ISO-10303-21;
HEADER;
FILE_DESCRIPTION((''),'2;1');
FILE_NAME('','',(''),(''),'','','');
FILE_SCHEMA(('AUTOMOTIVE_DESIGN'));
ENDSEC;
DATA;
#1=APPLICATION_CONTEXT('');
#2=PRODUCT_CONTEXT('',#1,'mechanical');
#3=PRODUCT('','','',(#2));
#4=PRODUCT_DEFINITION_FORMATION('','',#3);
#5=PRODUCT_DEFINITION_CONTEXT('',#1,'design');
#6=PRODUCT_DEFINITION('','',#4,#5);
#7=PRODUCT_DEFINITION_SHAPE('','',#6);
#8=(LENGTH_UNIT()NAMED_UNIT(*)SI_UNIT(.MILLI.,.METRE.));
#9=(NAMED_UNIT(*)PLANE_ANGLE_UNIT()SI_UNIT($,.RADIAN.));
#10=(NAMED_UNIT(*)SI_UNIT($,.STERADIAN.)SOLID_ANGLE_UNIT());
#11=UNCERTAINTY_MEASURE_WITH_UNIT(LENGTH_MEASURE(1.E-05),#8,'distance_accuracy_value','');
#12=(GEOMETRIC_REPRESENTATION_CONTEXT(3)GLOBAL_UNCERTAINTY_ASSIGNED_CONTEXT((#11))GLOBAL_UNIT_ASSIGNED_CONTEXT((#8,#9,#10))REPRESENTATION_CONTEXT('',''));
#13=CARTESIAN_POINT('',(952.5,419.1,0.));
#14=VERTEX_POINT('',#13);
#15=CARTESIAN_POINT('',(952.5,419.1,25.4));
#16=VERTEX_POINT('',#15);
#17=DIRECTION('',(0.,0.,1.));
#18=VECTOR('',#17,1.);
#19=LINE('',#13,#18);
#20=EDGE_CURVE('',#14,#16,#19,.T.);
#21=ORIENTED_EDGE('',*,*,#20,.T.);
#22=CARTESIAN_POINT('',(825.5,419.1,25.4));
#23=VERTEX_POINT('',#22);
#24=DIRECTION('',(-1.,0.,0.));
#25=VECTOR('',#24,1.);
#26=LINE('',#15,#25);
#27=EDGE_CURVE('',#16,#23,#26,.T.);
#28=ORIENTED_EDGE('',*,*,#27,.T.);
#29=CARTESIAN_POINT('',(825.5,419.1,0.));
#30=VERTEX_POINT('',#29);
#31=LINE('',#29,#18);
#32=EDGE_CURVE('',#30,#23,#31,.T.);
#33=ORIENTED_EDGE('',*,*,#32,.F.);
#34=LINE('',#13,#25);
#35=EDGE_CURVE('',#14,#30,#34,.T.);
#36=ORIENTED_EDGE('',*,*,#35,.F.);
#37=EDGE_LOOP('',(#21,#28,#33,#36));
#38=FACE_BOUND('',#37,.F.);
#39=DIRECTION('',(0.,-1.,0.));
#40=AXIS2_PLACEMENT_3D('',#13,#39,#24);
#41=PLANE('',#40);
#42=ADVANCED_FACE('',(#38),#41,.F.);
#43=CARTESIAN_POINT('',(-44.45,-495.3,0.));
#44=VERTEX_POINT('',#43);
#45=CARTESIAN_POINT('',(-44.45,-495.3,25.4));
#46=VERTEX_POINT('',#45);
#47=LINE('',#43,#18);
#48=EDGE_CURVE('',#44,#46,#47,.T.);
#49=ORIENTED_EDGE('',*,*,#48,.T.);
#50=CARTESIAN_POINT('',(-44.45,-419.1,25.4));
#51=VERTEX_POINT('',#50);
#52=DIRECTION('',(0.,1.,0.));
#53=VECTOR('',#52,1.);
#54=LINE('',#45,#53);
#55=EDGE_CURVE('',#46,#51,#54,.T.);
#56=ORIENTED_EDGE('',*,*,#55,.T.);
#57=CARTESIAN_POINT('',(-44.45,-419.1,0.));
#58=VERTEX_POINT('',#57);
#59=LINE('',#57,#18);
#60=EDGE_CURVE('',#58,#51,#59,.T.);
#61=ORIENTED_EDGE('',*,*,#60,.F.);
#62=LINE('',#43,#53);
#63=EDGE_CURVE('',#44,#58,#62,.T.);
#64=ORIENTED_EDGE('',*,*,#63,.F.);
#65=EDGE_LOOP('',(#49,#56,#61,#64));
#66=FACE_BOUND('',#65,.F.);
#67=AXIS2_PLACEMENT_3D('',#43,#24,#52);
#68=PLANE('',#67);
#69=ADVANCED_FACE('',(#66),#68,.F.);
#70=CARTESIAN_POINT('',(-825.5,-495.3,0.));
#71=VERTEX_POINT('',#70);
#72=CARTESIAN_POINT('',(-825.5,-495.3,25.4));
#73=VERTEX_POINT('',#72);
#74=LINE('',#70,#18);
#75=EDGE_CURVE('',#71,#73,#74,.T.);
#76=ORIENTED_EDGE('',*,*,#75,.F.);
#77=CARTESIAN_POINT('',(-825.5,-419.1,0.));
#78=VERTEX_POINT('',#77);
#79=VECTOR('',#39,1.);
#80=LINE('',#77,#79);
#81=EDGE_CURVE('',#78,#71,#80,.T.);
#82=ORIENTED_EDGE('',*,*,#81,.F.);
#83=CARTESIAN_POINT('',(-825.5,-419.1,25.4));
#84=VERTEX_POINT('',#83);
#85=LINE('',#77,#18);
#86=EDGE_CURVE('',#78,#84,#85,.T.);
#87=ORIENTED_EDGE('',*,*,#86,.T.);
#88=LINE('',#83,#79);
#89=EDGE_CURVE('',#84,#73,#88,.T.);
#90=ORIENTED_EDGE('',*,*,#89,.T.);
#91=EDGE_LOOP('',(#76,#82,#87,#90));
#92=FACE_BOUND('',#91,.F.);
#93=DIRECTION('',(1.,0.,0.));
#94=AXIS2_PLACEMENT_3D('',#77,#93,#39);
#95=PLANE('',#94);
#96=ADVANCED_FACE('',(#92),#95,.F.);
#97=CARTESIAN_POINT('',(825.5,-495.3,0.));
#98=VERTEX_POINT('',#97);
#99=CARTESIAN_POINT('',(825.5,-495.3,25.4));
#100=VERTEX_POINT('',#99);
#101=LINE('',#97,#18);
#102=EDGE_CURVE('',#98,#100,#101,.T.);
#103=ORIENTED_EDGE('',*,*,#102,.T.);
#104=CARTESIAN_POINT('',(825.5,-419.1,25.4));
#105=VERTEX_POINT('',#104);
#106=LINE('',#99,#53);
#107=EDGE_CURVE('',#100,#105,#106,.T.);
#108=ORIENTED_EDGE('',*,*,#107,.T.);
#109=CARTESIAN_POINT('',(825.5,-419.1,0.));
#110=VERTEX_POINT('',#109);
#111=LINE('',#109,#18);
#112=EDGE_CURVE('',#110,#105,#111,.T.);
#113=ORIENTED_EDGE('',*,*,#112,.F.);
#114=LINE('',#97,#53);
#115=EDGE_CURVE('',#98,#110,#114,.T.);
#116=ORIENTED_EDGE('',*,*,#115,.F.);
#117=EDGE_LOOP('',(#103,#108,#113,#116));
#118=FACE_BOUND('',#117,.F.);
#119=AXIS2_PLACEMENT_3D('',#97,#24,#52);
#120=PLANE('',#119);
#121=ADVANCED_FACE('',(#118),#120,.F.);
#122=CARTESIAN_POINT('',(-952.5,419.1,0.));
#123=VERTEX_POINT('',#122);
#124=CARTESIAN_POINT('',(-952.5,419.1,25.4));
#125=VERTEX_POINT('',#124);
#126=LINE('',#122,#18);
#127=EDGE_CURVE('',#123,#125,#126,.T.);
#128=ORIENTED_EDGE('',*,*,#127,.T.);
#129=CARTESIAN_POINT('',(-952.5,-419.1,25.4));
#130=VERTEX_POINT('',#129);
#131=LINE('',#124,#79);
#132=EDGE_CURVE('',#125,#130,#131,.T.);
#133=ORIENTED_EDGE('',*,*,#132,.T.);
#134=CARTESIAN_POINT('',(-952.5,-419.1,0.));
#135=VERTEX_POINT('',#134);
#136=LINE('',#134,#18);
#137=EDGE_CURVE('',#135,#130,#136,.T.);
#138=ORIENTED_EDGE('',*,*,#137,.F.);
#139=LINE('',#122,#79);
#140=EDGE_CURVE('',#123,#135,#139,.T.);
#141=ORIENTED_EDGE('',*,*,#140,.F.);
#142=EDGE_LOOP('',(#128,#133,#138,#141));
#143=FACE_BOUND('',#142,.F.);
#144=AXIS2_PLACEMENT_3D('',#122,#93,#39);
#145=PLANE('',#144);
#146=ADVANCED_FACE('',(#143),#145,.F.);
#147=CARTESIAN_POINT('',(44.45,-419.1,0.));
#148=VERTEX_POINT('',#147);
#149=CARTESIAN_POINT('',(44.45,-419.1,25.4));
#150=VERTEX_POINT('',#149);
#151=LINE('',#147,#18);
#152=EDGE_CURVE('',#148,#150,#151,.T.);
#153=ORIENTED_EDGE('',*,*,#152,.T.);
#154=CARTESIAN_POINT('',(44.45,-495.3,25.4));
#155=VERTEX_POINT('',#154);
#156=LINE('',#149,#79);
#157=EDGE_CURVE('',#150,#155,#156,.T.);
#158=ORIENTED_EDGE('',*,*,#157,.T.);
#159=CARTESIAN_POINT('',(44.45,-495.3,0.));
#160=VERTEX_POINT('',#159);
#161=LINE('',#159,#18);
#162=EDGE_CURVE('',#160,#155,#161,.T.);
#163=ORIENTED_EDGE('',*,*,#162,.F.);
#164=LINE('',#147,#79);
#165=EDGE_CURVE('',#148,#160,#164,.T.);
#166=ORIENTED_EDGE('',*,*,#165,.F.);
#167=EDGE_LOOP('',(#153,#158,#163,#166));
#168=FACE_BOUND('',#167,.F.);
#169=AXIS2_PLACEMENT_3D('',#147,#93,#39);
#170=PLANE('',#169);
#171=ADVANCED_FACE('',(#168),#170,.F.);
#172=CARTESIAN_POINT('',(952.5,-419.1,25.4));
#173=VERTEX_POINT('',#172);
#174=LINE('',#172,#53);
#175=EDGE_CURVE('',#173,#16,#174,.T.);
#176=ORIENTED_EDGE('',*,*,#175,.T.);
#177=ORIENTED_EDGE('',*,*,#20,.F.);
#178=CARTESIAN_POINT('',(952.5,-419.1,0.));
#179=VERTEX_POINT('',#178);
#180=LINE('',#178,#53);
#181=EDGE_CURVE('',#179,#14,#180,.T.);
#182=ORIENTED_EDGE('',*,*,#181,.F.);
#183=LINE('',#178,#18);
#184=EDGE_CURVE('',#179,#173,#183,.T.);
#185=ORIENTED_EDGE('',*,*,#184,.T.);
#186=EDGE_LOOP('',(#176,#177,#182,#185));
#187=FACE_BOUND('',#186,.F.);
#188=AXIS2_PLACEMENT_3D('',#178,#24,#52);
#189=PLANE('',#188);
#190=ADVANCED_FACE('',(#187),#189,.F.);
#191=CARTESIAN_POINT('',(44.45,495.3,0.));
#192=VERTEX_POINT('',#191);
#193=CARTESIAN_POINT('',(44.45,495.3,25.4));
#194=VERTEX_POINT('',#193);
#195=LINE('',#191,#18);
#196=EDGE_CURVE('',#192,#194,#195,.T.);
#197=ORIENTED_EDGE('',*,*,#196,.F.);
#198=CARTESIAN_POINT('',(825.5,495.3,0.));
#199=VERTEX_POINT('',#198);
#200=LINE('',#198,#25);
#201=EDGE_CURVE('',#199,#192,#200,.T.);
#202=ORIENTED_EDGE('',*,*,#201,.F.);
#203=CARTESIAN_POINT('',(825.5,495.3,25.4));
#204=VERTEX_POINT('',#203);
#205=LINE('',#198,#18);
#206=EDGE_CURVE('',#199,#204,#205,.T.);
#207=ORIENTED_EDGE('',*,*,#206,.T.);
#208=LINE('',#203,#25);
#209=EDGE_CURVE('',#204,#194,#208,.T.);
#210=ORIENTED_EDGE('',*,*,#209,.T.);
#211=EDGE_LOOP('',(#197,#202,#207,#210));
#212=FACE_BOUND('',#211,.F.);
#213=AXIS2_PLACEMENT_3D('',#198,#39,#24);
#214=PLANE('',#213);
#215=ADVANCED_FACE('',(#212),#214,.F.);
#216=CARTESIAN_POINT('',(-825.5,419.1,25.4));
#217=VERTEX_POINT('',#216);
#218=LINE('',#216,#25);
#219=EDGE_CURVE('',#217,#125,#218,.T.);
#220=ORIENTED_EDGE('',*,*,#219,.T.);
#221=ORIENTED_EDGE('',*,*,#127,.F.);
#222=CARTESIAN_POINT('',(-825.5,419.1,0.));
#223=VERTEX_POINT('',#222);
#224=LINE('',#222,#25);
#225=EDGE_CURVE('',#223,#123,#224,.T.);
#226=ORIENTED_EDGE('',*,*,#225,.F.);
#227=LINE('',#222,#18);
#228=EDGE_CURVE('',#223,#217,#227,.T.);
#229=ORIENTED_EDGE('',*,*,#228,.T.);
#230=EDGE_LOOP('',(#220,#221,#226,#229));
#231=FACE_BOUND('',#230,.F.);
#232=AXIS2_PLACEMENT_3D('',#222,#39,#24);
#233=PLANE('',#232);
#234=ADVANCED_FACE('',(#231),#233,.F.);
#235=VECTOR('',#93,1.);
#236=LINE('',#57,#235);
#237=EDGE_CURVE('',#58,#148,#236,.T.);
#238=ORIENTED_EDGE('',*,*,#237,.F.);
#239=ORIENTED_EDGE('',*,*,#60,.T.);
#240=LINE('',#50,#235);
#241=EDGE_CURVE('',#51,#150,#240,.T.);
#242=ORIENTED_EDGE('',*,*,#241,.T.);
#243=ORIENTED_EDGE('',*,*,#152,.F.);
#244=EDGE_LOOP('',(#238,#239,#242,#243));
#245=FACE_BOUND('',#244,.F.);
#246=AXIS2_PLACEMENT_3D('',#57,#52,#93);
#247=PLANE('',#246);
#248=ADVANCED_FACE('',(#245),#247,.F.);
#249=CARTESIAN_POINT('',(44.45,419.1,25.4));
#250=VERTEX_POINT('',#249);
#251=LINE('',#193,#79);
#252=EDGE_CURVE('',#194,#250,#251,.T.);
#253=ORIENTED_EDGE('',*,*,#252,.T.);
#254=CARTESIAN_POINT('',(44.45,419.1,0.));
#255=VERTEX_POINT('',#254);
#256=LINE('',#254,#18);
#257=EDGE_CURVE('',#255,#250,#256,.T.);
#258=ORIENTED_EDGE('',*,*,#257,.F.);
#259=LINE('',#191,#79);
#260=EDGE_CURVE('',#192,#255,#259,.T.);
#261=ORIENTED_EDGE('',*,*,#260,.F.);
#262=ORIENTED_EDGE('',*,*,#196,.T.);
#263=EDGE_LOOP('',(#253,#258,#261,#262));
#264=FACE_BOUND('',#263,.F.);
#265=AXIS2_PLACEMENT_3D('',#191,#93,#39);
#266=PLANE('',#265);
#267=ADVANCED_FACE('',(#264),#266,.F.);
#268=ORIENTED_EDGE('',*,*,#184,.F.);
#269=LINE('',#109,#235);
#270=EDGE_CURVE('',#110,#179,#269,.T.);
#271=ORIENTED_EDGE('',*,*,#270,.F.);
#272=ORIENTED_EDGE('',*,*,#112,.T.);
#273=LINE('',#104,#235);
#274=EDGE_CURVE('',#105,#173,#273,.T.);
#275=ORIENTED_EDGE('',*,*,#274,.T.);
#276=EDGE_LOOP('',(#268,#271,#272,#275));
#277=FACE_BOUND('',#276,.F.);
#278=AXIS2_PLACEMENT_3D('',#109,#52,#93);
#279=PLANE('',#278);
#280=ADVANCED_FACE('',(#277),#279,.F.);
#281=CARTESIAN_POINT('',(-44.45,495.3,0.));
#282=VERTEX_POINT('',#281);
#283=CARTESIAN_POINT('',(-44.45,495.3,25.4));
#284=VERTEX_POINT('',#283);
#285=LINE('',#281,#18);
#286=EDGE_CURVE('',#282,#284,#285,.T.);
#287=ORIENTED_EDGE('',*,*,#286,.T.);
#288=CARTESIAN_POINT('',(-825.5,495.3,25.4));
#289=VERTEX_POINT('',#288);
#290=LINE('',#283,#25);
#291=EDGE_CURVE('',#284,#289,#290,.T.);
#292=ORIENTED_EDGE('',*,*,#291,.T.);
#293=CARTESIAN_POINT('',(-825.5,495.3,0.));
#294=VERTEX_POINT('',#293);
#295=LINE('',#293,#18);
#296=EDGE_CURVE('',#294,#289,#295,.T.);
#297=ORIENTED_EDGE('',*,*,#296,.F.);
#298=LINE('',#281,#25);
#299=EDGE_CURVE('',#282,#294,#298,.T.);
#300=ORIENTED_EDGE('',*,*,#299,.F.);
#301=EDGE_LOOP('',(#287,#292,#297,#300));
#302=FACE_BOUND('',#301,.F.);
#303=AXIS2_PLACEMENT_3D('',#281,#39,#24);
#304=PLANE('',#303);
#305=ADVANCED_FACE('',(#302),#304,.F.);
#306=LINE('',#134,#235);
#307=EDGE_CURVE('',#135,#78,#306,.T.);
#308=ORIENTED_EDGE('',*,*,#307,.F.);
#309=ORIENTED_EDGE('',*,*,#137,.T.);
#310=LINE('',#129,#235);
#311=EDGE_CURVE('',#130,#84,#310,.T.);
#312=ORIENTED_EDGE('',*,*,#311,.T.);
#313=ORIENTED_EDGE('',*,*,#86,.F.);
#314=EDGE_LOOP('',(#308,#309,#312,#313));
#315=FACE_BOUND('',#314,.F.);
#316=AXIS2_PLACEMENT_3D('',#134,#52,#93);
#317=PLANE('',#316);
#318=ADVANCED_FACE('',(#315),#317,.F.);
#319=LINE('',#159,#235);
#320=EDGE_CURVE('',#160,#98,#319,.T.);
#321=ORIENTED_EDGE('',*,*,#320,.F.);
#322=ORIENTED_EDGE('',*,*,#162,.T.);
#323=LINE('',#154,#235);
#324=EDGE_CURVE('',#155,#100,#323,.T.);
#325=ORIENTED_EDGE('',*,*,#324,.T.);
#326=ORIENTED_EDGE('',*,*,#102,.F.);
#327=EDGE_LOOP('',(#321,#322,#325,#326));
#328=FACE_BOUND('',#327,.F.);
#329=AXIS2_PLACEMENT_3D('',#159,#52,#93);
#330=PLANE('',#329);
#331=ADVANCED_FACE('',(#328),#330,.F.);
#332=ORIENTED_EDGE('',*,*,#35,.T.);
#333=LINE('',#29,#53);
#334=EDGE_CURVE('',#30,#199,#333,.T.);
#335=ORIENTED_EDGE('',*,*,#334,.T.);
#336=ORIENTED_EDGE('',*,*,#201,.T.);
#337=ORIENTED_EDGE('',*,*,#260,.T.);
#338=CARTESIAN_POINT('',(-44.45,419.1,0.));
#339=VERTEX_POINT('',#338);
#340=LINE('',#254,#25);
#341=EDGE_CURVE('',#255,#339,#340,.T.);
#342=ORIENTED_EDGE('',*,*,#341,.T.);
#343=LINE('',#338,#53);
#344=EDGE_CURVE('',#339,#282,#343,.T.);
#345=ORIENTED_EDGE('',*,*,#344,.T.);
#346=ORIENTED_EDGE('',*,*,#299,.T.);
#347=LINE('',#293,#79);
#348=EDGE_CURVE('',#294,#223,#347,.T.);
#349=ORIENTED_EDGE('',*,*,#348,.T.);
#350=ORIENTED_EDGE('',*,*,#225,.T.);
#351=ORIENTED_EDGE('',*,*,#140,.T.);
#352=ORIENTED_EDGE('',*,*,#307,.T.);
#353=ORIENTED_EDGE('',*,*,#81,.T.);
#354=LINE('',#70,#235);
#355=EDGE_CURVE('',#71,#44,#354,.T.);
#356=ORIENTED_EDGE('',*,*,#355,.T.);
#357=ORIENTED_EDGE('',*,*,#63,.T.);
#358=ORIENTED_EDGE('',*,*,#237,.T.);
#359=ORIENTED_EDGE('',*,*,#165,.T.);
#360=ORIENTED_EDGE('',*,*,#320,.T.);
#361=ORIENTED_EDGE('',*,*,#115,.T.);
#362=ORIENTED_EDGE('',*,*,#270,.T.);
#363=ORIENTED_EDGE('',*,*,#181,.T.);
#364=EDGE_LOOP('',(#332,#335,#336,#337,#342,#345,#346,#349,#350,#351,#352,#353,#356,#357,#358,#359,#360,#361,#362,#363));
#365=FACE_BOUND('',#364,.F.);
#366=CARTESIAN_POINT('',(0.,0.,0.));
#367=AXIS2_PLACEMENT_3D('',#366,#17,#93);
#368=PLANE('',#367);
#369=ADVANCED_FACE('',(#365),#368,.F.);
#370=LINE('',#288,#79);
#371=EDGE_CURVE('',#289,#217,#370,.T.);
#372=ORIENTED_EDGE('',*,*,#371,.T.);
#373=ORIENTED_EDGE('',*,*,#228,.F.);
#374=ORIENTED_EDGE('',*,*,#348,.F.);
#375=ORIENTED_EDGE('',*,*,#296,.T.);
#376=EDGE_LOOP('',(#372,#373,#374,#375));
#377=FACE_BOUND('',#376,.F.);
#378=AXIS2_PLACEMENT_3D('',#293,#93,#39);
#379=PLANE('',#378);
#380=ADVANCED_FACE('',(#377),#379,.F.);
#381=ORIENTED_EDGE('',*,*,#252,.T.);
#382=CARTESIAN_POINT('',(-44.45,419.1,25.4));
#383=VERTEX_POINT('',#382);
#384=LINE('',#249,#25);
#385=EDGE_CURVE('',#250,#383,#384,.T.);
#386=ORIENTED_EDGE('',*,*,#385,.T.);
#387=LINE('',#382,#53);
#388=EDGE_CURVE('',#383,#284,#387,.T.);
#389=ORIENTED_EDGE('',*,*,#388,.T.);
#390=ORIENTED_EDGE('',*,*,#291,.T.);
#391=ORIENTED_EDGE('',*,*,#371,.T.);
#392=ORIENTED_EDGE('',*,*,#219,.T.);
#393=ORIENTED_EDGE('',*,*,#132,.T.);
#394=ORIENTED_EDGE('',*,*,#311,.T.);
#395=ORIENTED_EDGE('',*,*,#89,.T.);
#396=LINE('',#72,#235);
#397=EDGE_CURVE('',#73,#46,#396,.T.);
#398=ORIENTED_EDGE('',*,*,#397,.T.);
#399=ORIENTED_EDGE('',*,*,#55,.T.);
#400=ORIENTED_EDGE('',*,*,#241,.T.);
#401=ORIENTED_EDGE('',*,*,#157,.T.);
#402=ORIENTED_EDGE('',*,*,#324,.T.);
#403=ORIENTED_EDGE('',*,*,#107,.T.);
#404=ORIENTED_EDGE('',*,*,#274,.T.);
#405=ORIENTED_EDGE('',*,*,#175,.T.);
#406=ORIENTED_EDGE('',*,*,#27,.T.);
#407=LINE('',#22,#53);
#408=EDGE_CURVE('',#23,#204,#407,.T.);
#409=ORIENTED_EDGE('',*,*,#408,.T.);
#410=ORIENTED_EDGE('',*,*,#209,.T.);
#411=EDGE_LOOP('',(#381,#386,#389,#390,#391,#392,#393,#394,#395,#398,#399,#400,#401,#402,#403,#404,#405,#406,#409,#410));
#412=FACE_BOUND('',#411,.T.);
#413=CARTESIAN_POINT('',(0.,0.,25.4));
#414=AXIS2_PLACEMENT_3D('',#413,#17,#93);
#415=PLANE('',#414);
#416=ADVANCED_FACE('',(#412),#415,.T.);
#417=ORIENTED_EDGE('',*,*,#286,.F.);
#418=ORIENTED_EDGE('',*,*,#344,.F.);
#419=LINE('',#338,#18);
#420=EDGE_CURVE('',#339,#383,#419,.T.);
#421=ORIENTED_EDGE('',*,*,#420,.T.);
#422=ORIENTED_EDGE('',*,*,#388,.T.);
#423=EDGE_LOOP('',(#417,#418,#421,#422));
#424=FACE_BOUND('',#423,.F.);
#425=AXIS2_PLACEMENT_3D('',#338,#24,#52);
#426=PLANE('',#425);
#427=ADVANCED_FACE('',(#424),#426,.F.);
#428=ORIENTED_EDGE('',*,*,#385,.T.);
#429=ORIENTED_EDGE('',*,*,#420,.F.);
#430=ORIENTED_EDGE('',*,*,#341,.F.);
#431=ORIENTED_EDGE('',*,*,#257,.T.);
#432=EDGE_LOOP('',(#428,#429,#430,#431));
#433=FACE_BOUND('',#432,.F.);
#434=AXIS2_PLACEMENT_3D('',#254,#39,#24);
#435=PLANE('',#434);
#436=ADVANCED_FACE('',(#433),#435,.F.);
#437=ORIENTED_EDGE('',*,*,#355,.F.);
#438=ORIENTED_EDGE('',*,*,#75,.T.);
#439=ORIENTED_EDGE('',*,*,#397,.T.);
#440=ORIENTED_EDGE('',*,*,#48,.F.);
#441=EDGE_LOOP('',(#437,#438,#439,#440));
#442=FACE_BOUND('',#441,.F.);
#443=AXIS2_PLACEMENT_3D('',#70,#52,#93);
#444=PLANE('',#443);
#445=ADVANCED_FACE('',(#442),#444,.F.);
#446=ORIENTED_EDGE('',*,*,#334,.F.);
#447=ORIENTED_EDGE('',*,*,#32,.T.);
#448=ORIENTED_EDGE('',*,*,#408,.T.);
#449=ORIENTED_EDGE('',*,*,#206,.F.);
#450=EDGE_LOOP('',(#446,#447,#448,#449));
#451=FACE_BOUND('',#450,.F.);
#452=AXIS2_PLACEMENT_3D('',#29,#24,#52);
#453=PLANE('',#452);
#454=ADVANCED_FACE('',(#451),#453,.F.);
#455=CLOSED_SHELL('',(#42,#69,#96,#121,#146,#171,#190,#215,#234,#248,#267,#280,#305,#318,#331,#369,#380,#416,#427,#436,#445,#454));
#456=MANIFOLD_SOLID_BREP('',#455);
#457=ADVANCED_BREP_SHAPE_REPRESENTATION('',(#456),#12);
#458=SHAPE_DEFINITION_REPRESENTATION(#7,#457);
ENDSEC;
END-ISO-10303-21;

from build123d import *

# Parameters (mm, degrees)
F1_DEPTH = 25.4


with BuildPart() as f1:
    # F0 (on Top) → F1 (new body)
    with BuildSketch(Plane.XY):
        Polygon((44.45, -495.3), (825.5, -495.3), (825.5, -419.1), (952.5, -419.1), (952.5, 419.1), (825.5, 419.1), (825.5, 495.3), (44.45, 495.3), (44.45, 419.1), (-44.45, 419.1), (-44.45, 495.3), (-825.5, 495.3), (-825.5, 419.1), (-952.5, 419.1), (-952.5, -419.1), (-825.5, -419.1), (-825.5, -495.3), (-44.45, -495.3), (-44.45, -419.1), (44.45, -419.1), align=None)
    extrude(amount=F1_DEPTH)


solid = f1.part
